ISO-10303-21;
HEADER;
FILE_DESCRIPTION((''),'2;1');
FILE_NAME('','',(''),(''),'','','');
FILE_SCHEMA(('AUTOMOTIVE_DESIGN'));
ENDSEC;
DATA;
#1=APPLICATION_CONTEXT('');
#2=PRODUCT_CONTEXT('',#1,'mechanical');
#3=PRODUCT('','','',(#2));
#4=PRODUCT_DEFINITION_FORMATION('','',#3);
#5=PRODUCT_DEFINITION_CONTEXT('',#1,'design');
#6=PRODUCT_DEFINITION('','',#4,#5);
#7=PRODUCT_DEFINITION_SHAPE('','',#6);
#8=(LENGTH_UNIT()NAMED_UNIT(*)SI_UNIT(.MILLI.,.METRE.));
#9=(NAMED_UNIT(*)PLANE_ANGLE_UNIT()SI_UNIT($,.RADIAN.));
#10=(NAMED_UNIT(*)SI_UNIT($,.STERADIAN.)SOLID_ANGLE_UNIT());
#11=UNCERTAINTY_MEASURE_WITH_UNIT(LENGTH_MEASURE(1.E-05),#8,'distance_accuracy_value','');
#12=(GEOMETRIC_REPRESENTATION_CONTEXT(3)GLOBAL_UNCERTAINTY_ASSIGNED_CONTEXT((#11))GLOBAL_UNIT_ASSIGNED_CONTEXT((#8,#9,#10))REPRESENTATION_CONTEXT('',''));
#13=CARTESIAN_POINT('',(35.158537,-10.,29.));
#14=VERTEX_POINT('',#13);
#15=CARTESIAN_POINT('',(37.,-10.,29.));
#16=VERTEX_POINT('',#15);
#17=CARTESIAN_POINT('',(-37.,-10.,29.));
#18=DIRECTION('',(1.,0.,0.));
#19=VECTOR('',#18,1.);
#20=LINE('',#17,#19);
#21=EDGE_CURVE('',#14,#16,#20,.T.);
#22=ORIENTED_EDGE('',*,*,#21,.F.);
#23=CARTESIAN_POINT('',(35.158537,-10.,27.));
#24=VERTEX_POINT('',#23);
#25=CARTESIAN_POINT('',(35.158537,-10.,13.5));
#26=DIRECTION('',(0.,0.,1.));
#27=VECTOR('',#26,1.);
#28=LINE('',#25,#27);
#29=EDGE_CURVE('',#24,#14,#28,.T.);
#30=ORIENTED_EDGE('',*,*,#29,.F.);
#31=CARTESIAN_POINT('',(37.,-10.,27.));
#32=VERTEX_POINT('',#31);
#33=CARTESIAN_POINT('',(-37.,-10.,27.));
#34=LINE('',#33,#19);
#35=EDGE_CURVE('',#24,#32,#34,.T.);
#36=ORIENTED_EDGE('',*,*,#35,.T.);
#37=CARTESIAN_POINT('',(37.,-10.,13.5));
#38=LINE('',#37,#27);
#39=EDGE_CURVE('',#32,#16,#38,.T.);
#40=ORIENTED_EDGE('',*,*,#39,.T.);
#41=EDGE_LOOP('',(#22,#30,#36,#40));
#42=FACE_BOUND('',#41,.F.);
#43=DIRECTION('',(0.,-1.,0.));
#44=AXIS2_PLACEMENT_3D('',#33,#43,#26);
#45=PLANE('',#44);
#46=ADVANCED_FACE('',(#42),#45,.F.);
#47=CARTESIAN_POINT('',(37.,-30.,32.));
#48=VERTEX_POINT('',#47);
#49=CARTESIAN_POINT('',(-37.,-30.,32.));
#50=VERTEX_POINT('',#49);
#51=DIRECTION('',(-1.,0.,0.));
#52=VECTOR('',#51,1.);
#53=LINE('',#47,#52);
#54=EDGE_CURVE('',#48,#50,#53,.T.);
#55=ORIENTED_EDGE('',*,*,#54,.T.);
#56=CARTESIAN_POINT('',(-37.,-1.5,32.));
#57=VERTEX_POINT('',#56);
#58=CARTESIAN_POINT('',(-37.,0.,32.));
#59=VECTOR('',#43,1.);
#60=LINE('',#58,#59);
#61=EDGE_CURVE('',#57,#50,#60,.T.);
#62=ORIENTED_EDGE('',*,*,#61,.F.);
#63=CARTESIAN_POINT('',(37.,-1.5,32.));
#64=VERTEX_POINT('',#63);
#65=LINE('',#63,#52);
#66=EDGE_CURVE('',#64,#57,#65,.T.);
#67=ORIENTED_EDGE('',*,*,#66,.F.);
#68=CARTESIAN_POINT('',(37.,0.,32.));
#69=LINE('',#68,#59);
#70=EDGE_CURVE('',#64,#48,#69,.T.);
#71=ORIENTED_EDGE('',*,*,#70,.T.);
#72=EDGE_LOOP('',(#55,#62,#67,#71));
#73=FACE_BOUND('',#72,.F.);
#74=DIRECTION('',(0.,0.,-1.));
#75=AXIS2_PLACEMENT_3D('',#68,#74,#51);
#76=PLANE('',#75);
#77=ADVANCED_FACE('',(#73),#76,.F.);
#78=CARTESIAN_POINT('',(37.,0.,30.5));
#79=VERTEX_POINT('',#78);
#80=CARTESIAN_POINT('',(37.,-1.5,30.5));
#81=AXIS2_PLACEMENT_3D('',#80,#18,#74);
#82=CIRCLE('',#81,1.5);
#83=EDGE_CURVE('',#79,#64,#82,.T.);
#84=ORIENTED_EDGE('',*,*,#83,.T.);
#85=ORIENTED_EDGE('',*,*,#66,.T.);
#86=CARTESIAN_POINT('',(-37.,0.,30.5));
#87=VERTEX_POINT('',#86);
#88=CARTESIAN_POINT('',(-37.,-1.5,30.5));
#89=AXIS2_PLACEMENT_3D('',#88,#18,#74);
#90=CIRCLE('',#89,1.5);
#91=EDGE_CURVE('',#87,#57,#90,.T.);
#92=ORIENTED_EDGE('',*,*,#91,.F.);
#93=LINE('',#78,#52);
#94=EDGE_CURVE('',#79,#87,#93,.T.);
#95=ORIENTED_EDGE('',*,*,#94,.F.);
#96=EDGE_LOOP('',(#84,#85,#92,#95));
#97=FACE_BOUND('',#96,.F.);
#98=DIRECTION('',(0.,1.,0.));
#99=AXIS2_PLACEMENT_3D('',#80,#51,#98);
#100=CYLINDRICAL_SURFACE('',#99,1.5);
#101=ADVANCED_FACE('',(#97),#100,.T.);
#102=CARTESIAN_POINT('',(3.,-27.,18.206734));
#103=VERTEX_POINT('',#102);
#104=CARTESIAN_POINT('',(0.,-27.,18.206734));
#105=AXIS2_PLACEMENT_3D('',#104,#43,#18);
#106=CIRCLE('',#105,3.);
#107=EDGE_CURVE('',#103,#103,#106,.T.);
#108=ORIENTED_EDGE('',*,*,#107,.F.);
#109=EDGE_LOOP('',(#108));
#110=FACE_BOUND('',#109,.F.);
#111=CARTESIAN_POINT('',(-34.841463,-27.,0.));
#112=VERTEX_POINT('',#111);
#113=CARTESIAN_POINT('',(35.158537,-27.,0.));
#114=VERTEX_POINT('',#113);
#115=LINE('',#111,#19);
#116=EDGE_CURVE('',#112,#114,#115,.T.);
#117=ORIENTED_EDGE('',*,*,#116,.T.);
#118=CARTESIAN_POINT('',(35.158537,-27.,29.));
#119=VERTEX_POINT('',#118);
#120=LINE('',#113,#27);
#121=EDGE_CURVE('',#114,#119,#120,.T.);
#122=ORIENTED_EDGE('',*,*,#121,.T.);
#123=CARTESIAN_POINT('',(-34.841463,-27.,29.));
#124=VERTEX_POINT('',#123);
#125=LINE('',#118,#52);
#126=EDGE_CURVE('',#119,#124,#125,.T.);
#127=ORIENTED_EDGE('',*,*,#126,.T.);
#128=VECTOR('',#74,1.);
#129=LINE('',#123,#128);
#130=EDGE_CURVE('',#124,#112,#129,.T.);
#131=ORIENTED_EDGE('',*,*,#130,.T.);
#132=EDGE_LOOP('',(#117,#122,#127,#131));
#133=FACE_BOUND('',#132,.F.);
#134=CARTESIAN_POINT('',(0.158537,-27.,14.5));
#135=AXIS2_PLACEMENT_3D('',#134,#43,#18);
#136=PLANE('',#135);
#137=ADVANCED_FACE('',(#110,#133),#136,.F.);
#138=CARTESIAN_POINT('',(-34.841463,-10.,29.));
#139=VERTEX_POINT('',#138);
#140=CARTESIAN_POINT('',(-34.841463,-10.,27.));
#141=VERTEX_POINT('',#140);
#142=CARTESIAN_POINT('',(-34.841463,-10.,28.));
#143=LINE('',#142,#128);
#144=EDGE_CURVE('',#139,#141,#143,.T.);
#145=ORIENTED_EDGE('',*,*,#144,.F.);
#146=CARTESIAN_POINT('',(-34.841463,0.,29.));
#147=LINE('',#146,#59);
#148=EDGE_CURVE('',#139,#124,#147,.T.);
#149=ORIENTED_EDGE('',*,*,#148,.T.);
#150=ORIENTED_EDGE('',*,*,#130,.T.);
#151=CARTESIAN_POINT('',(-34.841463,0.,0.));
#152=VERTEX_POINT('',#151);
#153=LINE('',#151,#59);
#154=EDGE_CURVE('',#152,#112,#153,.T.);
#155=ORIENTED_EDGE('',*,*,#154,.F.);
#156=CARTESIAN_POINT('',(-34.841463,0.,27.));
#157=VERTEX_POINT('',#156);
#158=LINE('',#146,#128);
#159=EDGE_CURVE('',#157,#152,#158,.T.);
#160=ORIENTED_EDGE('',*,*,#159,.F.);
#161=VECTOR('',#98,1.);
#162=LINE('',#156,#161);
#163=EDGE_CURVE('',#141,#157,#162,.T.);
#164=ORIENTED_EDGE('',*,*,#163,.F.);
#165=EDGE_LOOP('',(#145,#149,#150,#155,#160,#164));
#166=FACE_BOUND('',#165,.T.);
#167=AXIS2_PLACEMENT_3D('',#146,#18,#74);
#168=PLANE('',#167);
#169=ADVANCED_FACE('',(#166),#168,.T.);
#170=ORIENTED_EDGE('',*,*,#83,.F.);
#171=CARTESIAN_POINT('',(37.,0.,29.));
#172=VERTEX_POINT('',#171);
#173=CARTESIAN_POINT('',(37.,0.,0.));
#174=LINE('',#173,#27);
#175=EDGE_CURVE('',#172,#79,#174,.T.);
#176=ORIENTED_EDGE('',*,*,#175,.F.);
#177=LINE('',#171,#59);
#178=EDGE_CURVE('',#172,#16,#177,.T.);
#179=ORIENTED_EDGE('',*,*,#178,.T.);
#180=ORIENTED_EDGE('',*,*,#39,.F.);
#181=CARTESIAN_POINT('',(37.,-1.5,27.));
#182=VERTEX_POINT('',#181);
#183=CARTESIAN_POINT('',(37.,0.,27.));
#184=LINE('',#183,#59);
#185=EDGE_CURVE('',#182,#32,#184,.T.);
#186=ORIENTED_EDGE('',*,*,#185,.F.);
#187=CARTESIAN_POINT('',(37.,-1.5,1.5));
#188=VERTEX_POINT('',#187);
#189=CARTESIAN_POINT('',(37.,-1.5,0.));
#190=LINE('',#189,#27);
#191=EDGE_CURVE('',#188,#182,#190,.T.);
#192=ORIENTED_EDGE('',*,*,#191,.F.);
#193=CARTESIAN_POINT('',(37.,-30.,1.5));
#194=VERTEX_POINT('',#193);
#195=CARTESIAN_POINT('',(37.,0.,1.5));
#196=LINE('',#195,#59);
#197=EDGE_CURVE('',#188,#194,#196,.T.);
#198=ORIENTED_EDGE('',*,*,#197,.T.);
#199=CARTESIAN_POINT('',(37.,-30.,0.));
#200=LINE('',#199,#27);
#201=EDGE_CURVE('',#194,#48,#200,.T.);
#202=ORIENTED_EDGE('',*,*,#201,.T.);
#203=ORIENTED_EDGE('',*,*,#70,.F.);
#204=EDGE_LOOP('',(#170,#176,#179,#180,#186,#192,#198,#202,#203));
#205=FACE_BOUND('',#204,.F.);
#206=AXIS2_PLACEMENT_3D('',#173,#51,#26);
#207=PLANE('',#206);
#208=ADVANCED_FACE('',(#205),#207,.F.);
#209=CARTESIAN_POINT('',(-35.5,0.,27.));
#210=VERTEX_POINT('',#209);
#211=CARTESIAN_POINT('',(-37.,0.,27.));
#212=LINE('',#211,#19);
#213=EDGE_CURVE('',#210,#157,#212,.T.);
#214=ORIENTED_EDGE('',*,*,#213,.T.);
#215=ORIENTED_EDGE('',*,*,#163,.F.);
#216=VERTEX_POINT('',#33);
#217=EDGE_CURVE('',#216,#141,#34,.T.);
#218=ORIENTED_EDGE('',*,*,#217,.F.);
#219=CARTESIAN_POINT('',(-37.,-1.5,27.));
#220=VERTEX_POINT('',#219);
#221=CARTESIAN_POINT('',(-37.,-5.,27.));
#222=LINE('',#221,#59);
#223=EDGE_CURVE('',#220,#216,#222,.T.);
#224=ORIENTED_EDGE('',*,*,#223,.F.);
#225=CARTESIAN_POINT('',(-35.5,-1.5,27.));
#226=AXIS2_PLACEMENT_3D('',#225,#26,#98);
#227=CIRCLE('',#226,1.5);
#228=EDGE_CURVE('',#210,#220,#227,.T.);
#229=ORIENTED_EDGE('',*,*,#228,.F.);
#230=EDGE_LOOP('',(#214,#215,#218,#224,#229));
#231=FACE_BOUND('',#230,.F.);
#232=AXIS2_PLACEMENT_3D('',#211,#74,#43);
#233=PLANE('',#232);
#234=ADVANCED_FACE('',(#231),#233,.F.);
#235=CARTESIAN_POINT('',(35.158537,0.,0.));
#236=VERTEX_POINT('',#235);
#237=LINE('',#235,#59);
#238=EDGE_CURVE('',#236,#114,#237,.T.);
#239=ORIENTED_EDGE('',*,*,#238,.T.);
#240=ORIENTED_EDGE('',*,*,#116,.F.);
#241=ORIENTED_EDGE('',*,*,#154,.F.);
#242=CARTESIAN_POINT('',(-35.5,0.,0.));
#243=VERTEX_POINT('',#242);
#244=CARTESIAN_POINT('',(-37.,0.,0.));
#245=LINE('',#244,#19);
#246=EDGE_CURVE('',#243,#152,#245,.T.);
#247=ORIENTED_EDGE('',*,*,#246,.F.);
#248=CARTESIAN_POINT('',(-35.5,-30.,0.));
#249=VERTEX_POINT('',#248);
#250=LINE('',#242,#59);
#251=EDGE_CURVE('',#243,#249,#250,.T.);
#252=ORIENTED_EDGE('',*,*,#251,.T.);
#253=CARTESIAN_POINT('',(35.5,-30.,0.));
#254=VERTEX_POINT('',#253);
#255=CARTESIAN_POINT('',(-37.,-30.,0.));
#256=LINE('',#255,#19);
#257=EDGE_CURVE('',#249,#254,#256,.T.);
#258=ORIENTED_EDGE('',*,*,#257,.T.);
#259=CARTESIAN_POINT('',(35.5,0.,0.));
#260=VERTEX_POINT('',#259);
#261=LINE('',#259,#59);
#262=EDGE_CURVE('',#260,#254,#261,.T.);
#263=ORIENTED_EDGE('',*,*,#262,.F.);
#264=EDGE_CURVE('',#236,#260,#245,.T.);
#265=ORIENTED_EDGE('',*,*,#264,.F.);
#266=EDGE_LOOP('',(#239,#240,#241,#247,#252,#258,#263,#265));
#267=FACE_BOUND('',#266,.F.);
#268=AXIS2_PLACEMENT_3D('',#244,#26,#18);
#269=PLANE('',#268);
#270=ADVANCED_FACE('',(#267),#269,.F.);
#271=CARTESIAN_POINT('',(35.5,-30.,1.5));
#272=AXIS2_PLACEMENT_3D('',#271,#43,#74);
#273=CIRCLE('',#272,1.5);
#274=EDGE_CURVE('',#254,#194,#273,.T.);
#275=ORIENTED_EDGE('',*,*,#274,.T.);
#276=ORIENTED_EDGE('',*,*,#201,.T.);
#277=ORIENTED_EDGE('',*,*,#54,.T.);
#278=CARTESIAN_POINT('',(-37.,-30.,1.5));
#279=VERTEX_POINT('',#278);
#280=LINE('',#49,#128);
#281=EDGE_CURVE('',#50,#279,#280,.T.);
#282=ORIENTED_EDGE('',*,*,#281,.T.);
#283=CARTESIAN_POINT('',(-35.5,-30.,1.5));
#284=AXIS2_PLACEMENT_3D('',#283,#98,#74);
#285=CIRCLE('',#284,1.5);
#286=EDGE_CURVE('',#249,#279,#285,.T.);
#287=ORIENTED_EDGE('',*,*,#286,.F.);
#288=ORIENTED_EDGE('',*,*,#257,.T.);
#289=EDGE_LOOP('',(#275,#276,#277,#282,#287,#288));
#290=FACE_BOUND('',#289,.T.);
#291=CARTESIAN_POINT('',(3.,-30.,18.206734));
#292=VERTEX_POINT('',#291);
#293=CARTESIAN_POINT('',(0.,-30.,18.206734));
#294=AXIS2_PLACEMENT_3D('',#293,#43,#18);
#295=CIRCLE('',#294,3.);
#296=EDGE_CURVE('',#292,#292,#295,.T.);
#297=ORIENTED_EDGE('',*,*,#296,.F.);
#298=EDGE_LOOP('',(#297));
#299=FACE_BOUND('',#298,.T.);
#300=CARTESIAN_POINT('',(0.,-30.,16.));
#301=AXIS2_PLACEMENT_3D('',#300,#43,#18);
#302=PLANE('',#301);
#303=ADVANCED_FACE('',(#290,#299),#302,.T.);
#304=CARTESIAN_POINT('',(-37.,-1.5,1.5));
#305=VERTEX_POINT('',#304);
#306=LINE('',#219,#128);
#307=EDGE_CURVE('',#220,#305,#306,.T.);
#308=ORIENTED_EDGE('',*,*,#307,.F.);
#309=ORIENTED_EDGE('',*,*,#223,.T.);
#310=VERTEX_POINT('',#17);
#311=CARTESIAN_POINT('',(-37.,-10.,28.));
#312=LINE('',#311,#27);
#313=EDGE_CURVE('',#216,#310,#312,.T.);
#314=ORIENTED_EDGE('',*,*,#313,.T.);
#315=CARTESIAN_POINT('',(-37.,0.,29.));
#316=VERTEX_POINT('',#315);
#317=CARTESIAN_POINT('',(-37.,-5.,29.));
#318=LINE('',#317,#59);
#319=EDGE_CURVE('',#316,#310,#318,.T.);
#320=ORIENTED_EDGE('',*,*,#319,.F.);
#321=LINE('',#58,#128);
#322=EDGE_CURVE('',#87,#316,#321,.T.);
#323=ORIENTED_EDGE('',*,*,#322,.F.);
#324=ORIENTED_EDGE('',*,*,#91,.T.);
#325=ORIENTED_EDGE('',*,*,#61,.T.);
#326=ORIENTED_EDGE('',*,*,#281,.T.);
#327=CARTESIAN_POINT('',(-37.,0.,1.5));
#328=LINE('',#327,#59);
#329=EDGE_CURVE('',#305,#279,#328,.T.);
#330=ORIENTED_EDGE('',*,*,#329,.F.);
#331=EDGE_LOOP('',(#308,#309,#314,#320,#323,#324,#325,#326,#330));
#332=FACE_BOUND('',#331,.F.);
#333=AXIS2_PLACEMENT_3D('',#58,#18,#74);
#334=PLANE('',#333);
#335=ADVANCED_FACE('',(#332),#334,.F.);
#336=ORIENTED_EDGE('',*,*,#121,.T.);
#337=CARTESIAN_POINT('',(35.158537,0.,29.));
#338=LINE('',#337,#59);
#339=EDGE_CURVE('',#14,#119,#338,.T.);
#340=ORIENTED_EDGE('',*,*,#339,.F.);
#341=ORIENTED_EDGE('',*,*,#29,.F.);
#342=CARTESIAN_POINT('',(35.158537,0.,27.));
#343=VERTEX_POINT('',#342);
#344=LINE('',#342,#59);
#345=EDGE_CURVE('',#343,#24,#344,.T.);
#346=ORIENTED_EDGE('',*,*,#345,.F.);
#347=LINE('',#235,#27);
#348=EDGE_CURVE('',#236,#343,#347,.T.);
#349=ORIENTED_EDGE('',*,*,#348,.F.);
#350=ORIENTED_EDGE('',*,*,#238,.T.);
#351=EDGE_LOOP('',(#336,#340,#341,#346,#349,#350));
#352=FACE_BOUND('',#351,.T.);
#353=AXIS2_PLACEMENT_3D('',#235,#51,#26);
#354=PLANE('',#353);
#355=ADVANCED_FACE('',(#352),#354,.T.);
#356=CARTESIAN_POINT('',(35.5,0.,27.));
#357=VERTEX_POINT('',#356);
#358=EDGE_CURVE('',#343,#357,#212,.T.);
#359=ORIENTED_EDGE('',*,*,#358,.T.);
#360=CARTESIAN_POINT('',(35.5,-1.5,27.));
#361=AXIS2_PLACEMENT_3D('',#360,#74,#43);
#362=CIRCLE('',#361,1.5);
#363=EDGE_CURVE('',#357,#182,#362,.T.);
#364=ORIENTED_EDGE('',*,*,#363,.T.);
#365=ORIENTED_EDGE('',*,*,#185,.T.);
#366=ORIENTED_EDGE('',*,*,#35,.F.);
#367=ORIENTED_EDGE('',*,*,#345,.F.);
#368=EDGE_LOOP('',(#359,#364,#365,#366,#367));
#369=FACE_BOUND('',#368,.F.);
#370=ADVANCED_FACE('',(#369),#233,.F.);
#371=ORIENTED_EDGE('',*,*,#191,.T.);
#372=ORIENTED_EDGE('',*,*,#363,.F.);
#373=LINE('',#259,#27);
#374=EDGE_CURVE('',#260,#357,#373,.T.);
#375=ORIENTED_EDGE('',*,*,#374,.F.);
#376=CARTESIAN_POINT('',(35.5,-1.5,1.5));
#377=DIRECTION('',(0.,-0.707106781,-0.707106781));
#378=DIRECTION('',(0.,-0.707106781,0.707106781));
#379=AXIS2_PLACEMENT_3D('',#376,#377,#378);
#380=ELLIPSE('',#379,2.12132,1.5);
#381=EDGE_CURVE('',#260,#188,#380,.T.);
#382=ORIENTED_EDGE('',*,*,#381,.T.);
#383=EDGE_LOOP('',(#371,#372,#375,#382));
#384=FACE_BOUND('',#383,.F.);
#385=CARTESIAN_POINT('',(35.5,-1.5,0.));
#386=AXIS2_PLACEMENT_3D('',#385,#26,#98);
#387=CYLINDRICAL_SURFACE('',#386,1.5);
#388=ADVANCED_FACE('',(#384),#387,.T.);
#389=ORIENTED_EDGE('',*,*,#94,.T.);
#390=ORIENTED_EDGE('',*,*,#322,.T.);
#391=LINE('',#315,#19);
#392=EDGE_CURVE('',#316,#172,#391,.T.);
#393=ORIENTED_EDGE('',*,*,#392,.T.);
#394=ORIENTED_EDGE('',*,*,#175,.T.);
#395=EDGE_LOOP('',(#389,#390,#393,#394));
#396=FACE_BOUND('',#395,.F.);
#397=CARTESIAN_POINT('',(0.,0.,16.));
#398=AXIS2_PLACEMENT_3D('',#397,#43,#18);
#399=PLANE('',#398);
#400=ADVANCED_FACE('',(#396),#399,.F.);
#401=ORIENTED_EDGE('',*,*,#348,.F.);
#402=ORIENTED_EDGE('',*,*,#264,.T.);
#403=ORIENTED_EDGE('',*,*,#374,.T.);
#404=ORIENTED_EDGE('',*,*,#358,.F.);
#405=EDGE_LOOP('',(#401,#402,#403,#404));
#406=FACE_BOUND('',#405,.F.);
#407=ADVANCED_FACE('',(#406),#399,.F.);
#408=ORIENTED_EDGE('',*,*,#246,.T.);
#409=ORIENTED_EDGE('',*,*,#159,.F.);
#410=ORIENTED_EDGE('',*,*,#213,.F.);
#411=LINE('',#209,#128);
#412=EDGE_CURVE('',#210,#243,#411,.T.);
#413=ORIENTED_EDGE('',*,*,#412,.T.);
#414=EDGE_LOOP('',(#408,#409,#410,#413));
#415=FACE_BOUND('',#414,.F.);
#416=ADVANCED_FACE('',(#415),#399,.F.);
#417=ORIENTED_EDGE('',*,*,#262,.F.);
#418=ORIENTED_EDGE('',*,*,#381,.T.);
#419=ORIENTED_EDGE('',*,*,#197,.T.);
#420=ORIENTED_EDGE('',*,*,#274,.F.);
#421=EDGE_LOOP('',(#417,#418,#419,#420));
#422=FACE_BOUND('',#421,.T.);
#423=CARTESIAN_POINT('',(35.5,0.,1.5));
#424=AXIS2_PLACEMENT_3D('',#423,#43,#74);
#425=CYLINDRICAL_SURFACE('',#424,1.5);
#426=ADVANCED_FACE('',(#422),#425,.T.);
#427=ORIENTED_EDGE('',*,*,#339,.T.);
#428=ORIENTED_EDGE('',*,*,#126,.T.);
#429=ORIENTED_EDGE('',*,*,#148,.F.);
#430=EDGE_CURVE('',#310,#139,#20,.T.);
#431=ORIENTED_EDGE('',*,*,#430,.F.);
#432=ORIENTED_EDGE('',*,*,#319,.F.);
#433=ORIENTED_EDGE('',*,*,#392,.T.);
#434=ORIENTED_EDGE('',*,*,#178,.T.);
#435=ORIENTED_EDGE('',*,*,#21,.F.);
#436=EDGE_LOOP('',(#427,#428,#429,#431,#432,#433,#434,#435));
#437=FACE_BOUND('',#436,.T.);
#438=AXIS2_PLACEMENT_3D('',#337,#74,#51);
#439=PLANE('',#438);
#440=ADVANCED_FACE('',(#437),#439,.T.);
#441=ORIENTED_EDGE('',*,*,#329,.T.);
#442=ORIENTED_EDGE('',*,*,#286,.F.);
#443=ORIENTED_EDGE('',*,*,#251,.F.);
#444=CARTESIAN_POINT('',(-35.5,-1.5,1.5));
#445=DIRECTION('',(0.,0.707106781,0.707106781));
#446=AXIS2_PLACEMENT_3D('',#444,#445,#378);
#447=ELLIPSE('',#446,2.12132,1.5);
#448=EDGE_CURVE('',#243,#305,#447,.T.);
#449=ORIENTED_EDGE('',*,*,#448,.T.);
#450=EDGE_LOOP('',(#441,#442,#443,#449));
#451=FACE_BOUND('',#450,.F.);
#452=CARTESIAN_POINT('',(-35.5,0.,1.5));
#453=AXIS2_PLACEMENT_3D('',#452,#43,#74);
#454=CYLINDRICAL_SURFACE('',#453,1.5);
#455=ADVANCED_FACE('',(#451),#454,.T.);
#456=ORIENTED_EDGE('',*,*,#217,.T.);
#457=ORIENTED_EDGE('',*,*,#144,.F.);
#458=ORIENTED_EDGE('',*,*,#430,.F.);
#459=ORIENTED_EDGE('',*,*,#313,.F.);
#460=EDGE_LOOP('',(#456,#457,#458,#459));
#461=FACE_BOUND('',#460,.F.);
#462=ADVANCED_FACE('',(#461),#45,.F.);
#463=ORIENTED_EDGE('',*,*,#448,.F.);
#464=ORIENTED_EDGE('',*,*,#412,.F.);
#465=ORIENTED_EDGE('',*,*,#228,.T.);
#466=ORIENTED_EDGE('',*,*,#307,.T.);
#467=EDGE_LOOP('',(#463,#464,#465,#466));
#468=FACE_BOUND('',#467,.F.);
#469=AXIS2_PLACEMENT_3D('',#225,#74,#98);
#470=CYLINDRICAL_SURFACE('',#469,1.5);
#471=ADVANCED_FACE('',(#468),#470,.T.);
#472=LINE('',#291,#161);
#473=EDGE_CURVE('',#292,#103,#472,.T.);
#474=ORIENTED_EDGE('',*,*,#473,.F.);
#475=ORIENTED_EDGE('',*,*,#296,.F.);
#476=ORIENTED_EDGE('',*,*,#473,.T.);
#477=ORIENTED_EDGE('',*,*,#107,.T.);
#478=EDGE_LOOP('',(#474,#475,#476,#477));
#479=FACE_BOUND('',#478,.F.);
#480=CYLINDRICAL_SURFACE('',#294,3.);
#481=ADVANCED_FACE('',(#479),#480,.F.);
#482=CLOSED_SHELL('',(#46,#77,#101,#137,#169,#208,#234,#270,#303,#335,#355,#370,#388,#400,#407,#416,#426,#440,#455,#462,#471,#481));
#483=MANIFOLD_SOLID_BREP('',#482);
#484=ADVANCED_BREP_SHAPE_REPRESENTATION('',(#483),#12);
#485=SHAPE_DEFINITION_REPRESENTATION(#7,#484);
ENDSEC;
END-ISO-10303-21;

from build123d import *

# Parameters (mm, degrees)
F2_DEPTH = 30
F3_DEPTH = 27
F4_W     = 10
F4_H     = 2
F5_DEPTH = 74.5
F6_R     = 3
F7_DEPTH = 25
F8_R     = 1.5


with BuildPart() as f2:
    # F0 (on Front) → F2 (new body)
    with BuildSketch(Plane.XZ):
        Polygon((-37, 0), (0, 0), (37, 0), (37, 32), (-37, 32), align=None)
    extrude(amount=F2_DEPTH)

    # F1 (on face) → F3 (cut)
    with BuildSketch(Plane.XZ):
        Polygon((-34.841463, 29), (-34.841463, 0), (0, 0), (35.158537, 0), (35.158537, 29), align=None)
    extrude(amount=F3_DEPTH, mode=Mode.SUBTRACT)

    # F4 (on face) → F5 (cut)
    with BuildSketch(Plane(origin=(-37, 0, 0), x_dir=(0, -1, 0), z_dir=(-1, 0, 0))):
        with Locations((5, 28)):
            Rectangle(F4_W, F4_H)
    extrude(amount=-F5_DEPTH, mode=Mode.SUBTRACT)

    # F6 (on face) → F7 (cut)
    with BuildSketch(Plane.XZ.offset(30)):
        with Locations((0, 18.206734)):
            Circle(F6_R)
    extrude(amount=-F7_DEPTH, mode=Mode.SUBTRACT)

    # F8
    f8_edges = [f2.edges().sort_by_distance(p)[0] for p in [
        (37, -15, 0),
        (0, 0, 32),
        (-37, -15, 0),
        (-37, 0, 13.5),
        (37, 0, 13.5),
    ]]
    fillet(f8_edges, radius=F8_R)


solid = f2.part
